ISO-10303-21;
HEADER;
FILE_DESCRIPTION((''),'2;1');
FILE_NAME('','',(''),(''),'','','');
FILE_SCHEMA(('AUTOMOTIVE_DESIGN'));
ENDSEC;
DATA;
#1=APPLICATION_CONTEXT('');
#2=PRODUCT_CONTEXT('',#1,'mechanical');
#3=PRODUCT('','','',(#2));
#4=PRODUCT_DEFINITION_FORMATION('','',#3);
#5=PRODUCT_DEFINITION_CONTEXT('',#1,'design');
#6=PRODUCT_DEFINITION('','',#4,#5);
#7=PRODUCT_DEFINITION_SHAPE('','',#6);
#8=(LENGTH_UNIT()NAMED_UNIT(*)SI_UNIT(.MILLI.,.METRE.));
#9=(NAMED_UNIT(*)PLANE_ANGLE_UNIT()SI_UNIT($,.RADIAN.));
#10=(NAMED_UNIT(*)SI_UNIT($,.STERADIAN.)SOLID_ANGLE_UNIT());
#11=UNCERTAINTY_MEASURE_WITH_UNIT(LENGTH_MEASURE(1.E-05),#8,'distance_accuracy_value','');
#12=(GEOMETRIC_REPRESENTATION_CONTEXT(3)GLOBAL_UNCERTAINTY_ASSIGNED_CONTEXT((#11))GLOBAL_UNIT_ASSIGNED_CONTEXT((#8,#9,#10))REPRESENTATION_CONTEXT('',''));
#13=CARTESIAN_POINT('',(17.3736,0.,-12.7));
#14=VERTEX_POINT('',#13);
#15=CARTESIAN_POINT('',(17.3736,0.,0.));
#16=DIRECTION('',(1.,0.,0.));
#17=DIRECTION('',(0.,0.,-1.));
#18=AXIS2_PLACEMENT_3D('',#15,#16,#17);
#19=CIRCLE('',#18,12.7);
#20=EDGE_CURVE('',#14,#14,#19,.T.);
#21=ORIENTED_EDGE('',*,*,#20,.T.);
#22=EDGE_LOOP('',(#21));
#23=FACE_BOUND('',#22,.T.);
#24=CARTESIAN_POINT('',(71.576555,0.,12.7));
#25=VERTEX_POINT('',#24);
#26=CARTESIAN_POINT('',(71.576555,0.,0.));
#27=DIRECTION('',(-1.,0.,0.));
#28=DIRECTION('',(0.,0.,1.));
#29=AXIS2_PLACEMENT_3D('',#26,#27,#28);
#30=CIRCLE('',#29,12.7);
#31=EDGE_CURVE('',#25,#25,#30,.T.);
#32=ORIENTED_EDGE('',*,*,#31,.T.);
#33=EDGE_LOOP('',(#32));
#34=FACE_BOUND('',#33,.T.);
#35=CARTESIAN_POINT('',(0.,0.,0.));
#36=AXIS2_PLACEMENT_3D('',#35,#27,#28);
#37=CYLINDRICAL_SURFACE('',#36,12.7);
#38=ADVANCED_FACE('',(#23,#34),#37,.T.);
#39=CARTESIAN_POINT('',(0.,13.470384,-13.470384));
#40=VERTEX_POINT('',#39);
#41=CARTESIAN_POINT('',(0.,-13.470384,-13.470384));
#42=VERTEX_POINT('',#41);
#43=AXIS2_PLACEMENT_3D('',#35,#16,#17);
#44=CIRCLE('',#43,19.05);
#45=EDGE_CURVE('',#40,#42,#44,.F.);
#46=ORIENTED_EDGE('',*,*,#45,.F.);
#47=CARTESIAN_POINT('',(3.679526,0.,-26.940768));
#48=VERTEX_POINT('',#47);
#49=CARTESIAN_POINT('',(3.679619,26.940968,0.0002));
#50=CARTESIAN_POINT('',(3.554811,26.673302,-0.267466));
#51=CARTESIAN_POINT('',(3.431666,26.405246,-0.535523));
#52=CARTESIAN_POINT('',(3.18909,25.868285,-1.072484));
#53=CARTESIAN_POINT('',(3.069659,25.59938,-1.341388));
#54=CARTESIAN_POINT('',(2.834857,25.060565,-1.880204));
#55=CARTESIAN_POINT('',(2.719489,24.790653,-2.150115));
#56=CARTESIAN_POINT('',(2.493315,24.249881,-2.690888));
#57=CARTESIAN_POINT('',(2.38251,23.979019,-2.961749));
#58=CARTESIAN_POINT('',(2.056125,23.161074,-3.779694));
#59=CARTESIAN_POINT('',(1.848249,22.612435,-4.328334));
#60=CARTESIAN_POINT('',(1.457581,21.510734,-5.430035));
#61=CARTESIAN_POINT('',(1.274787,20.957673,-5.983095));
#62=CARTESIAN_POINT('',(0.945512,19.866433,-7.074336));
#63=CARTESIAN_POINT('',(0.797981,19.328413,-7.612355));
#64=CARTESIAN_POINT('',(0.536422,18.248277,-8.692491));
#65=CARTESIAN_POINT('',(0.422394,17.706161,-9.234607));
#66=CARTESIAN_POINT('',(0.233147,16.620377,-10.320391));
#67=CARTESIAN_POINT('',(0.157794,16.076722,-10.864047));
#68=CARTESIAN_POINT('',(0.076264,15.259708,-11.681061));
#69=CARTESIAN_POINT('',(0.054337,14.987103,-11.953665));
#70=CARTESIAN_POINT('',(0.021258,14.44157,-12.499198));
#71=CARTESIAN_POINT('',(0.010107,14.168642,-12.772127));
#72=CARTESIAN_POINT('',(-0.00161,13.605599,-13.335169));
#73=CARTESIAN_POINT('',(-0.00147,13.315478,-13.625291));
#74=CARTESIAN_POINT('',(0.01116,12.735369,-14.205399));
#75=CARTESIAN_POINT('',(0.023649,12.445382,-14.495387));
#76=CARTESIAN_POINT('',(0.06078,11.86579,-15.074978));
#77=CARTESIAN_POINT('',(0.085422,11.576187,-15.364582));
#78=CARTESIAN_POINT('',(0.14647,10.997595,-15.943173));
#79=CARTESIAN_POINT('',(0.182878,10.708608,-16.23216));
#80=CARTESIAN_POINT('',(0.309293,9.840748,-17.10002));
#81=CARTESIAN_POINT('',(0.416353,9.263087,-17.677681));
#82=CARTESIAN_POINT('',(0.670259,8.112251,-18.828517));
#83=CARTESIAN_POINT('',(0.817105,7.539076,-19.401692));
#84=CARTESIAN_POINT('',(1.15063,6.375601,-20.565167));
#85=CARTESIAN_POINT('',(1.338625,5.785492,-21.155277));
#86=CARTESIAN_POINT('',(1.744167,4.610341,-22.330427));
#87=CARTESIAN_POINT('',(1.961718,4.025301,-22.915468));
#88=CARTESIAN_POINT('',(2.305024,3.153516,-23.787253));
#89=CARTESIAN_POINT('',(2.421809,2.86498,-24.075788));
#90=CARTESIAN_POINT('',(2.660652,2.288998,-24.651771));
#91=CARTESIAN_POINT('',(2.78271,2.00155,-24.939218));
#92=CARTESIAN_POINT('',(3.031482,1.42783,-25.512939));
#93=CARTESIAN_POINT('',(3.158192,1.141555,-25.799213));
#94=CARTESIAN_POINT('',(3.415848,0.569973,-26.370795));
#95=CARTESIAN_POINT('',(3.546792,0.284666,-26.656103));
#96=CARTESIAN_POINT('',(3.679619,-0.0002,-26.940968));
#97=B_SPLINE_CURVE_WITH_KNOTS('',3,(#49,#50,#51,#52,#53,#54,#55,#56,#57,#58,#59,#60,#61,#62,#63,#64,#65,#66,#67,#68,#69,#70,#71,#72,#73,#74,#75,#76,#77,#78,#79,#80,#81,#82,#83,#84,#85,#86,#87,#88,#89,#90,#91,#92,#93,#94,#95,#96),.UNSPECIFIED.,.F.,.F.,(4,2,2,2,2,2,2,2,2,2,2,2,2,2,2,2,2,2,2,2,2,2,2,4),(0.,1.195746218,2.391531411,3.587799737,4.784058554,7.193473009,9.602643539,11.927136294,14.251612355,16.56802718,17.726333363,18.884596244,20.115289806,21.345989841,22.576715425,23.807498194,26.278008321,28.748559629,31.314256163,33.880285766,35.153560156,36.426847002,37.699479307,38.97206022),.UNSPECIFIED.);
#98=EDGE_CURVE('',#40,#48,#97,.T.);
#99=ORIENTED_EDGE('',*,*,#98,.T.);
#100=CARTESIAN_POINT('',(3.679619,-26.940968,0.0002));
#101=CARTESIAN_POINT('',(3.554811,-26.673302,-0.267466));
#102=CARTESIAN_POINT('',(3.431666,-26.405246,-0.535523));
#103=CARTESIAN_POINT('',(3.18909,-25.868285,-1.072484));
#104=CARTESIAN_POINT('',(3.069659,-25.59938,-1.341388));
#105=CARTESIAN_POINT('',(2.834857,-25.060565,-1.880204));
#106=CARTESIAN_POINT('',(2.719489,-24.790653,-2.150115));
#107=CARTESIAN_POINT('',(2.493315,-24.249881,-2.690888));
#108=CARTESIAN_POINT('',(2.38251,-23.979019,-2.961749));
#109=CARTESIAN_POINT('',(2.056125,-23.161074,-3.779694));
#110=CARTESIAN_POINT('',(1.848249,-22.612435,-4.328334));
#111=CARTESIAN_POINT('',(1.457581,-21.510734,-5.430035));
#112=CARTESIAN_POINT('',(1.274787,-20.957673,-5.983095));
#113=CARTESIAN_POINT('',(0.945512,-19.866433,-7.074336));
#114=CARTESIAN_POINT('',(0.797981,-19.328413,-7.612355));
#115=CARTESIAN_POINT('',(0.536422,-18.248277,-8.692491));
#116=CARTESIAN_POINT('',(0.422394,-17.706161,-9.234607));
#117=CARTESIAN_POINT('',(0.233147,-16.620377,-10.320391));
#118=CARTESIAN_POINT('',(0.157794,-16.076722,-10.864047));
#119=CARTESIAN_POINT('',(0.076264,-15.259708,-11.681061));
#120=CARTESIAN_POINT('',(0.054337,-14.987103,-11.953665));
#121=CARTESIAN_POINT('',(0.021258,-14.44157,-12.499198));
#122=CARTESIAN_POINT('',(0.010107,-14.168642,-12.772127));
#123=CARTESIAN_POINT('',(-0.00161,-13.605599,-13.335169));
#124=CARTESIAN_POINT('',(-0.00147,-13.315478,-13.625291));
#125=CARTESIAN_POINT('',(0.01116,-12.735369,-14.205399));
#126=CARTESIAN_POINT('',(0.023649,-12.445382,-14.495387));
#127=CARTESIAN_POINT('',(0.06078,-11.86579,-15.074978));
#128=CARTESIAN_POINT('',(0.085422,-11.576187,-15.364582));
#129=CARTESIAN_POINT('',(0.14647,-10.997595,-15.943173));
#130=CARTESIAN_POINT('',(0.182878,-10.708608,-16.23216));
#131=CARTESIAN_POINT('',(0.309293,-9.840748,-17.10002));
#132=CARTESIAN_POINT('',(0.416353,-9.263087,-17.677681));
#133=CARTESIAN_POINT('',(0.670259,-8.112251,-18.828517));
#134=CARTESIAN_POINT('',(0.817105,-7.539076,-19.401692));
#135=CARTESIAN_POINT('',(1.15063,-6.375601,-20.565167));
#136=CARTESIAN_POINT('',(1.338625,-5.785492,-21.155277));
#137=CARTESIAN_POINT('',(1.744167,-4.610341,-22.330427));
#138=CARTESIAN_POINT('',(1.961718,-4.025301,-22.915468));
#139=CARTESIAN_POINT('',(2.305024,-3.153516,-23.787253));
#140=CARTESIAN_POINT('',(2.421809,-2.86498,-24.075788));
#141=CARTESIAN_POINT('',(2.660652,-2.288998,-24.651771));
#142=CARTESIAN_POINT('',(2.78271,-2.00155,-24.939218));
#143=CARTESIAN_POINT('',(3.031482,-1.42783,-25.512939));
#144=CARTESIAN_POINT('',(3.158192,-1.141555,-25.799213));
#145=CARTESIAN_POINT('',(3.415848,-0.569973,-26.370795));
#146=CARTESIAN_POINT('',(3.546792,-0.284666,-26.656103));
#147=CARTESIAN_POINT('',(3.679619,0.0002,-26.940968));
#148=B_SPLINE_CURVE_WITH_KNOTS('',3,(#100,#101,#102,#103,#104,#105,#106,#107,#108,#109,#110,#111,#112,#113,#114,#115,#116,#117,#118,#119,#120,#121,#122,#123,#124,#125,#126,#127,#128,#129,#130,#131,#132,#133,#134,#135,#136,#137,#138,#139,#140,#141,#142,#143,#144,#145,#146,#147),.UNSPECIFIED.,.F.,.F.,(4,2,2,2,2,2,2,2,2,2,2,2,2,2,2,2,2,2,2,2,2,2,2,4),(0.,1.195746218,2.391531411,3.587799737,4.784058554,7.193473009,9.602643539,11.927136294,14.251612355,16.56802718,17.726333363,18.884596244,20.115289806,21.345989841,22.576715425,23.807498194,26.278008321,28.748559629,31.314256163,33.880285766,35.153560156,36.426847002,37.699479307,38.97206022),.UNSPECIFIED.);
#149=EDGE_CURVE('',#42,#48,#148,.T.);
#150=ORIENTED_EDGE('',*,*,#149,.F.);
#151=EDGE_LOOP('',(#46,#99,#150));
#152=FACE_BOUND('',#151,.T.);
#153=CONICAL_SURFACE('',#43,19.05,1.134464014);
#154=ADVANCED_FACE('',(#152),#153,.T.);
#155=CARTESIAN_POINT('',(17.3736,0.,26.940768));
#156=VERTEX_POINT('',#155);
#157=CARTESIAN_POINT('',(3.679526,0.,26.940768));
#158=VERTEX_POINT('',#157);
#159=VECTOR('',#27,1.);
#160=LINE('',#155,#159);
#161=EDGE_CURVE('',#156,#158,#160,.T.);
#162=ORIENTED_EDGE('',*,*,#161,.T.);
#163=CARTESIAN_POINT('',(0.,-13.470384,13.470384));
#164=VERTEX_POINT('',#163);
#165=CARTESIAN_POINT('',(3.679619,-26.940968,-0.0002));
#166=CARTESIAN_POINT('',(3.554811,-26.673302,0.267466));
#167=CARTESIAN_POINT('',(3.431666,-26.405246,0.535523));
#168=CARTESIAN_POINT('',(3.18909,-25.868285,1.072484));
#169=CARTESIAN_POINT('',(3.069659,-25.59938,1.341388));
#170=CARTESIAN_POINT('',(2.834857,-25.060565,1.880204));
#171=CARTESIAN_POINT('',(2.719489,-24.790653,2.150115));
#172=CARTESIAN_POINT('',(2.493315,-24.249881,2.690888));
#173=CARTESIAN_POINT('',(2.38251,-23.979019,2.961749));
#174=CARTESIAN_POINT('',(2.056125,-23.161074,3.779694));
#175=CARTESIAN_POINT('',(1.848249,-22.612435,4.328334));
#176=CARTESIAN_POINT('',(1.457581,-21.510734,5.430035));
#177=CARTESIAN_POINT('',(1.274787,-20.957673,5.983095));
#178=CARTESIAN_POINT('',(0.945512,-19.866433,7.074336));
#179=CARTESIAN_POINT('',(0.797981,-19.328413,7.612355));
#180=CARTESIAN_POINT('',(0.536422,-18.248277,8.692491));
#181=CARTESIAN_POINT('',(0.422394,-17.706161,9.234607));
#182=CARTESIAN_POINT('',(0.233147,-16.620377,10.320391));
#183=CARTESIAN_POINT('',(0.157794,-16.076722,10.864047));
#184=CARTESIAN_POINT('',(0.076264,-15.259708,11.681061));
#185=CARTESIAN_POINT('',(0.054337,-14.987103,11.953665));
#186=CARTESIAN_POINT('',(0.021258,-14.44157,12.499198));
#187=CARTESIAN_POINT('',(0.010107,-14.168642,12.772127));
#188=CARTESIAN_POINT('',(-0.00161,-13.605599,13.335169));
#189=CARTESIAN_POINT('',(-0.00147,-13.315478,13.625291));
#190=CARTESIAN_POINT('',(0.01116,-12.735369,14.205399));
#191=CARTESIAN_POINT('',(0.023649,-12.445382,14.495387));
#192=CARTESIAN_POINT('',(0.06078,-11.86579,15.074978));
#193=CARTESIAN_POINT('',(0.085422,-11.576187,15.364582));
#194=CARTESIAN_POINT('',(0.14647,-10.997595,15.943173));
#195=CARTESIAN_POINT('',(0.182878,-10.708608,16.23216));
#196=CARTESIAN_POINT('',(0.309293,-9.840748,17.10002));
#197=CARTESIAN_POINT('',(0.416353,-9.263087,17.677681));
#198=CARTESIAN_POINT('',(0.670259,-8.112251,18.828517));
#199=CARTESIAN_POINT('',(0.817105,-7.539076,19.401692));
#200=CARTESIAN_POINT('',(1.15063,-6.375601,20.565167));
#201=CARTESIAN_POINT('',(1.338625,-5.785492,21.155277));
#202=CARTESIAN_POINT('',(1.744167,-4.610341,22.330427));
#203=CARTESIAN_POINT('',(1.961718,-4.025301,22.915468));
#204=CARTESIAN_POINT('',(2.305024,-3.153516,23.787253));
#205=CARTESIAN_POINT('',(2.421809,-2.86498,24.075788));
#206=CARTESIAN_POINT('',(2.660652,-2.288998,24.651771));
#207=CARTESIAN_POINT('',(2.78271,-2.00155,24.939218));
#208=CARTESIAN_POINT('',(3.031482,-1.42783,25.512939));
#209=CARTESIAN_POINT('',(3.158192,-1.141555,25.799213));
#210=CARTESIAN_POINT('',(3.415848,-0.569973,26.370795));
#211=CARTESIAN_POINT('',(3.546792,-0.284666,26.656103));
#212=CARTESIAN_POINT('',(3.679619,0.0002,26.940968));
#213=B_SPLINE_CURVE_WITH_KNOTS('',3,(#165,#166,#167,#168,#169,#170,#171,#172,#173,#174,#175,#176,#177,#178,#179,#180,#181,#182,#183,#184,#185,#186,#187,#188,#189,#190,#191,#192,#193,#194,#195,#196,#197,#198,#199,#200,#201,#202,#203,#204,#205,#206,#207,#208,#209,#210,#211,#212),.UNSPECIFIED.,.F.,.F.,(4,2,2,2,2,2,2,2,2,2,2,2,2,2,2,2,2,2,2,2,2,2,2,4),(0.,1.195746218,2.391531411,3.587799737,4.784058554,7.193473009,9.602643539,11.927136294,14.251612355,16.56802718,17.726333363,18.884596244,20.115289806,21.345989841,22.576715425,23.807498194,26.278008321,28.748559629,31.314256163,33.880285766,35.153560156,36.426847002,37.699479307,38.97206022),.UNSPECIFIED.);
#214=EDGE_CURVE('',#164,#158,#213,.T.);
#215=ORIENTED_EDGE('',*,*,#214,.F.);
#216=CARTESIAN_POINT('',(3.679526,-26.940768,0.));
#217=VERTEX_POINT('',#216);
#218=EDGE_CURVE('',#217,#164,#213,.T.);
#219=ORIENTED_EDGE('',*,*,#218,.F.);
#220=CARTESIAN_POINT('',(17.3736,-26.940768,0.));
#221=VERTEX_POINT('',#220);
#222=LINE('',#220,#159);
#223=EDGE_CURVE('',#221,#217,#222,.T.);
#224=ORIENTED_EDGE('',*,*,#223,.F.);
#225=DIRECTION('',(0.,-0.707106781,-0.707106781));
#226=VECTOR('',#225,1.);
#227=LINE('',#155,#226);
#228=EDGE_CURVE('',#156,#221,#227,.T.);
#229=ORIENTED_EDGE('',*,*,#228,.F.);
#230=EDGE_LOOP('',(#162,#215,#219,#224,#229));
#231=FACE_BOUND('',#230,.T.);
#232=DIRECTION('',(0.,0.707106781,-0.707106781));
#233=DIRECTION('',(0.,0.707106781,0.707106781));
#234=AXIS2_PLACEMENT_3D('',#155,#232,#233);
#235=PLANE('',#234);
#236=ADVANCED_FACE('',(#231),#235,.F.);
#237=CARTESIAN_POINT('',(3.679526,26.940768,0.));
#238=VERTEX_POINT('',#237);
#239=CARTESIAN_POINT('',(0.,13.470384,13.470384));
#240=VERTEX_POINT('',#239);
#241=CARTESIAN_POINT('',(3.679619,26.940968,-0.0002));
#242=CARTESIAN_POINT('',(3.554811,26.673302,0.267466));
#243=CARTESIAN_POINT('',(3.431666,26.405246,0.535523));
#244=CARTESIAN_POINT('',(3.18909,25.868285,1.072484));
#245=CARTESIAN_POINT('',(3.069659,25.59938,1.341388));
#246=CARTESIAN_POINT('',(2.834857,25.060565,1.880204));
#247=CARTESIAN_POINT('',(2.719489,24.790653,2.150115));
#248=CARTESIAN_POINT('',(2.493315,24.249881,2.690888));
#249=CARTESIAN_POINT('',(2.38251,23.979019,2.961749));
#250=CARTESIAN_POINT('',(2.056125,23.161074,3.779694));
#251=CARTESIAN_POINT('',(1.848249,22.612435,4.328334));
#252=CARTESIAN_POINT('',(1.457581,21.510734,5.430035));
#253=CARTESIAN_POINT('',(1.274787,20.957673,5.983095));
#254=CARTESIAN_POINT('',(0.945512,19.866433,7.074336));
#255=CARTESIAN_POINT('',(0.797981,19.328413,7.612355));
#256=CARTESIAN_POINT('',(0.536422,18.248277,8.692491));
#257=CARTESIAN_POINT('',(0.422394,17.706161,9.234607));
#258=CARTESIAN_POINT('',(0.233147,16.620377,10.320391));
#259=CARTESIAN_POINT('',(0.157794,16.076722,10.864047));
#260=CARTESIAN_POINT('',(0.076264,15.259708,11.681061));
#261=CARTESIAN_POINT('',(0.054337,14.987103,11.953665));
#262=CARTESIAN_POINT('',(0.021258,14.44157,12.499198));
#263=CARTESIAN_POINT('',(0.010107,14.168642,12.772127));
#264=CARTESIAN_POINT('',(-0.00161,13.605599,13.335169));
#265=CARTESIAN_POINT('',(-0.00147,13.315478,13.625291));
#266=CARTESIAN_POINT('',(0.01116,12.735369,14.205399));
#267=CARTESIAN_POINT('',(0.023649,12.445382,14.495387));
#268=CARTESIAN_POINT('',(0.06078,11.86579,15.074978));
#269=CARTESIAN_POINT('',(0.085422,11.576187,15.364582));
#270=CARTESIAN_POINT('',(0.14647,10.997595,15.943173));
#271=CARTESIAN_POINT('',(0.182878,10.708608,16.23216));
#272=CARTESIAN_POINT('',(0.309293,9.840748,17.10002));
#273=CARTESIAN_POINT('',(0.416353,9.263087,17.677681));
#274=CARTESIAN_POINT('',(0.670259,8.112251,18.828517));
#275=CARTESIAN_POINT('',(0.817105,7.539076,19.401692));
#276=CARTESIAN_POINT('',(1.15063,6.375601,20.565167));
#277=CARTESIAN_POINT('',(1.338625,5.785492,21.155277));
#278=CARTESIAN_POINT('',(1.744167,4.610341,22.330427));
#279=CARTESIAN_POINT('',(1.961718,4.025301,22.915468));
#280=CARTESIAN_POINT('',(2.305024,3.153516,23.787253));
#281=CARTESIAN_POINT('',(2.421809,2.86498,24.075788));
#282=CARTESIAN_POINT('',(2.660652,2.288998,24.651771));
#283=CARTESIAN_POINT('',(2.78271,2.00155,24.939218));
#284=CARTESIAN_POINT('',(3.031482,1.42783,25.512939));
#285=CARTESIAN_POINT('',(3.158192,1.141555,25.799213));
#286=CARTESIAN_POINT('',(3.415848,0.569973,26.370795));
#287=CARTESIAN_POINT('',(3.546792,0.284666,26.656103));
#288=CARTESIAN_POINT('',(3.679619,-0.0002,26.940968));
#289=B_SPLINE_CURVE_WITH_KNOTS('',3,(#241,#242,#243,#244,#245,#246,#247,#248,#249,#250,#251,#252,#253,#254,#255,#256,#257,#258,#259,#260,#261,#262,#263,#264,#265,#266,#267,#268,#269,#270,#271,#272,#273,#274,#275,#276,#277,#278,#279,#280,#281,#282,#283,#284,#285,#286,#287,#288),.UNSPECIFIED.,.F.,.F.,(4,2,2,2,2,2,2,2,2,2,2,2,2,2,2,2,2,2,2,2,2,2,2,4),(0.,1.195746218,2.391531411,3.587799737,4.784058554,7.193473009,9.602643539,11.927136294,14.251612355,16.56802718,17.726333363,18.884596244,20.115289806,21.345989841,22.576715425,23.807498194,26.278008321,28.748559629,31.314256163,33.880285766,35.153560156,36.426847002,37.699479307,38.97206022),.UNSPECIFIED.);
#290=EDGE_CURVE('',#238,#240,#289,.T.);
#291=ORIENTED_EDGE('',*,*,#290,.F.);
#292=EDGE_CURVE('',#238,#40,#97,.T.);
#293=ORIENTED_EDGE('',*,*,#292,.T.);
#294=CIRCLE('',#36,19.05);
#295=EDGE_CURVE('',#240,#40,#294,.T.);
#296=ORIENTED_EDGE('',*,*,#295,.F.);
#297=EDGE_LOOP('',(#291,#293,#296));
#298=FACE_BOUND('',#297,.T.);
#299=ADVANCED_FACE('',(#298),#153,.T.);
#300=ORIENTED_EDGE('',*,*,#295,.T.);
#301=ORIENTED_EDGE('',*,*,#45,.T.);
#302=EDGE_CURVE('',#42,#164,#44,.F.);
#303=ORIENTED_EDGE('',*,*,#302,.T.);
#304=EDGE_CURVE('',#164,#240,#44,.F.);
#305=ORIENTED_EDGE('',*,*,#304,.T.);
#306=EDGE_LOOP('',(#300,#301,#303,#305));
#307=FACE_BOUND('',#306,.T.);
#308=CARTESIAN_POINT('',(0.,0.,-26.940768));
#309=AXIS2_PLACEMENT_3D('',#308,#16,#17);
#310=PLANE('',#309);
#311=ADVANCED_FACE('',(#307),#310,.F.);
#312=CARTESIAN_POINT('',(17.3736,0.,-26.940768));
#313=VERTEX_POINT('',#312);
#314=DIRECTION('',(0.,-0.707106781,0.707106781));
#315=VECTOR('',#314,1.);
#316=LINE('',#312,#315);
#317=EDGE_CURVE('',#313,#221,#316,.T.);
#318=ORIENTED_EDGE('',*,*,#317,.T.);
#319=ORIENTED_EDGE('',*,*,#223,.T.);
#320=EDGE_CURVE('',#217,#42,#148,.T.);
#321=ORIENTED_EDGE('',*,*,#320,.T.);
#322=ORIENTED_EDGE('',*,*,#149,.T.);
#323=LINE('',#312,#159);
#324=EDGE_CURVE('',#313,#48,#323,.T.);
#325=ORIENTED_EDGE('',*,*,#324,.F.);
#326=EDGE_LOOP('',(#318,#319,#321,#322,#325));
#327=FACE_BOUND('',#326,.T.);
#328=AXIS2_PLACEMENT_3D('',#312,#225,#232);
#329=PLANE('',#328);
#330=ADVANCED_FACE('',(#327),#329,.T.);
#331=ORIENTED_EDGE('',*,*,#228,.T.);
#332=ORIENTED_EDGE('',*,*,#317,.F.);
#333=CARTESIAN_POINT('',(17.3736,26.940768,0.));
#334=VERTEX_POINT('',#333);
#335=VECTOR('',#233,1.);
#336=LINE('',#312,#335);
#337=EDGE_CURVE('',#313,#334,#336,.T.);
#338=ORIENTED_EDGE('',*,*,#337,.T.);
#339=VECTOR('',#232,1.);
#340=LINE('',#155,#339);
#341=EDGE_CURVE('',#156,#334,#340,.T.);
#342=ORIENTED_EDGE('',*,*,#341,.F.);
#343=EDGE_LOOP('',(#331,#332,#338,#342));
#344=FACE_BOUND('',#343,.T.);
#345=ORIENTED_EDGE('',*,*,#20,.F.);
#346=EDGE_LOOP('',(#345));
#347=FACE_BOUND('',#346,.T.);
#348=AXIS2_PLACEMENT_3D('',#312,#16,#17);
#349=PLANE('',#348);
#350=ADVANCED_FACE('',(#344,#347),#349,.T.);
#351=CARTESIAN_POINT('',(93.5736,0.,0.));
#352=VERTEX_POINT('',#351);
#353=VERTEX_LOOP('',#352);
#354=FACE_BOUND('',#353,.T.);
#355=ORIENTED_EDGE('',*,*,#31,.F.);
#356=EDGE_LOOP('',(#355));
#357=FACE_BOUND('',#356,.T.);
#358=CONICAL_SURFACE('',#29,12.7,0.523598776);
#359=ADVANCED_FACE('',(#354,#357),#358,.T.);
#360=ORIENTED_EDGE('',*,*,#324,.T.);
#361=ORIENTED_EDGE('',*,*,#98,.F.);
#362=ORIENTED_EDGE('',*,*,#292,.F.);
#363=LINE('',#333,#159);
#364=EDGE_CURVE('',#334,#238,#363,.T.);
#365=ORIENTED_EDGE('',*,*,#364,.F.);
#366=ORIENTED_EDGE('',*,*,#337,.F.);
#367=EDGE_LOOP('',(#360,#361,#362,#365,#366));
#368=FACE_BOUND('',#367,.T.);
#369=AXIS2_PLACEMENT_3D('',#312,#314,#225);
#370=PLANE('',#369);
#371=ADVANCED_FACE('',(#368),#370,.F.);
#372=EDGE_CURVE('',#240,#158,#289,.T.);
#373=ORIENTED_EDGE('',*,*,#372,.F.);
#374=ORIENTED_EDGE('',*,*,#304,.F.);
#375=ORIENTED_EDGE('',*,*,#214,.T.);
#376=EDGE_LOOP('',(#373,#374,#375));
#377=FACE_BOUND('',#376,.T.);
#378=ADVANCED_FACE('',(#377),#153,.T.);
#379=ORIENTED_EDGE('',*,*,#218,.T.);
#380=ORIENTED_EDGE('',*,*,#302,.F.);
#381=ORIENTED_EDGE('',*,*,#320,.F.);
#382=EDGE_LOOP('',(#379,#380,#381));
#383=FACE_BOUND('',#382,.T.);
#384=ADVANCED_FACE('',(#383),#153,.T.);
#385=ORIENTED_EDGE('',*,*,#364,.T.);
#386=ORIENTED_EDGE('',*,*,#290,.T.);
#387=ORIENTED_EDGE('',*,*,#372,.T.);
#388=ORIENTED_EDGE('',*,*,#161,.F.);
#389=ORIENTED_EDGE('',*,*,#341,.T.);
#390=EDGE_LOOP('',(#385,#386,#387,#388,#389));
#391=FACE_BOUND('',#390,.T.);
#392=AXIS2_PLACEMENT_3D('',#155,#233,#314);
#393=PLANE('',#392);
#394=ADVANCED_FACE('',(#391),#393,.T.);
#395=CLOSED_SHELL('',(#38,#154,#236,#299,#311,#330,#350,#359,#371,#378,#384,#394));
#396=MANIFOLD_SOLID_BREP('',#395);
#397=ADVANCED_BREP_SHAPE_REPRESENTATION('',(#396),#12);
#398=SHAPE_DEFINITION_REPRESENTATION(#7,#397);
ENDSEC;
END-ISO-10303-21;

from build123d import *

# Parameters (mm, degrees)
SKETCH1_W      = 38.1
SKETCH1_H      = 38.1
BASEHEAD_DEPTH = 17.3736


with BuildPart() as part:
    # Sketch1 → BaseHead (new body)
    with BuildSketch(Plane(origin=(0, 0, 0), x_dir=(0, 0.7071067811865488, -0.7071067811865462), z_dir=(1, 0, 0))):
        Rectangle(SKETCH1_W, SKETCH1_H)
    extrude(amount=BASEHEAD_DEPTH)

    # Sketch2 → Body (revolve)
    with BuildSketch(Plane.XY):
        Polygon((17.3736, 0), (17.3736, 12.7), (71.576554744, 12.7), (93.5736, 0), align=None)
    revolve(axis=Axis((0, 0, 0), (1, 0, 0)))

    # Sketch3 → HeadChamfer (revolve, cut)
    with BuildSketch(Plane.XY):
        Polygon((0, 19.05), (-12.7, 19.05), (-12.7, 52.340768363), (15.523740234, 52.340768363), align=None)
    revolve(axis=Axis((0, 0, 0), (1, 0, 0)), mode=Mode.SUBTRACT)


solid = part.part
